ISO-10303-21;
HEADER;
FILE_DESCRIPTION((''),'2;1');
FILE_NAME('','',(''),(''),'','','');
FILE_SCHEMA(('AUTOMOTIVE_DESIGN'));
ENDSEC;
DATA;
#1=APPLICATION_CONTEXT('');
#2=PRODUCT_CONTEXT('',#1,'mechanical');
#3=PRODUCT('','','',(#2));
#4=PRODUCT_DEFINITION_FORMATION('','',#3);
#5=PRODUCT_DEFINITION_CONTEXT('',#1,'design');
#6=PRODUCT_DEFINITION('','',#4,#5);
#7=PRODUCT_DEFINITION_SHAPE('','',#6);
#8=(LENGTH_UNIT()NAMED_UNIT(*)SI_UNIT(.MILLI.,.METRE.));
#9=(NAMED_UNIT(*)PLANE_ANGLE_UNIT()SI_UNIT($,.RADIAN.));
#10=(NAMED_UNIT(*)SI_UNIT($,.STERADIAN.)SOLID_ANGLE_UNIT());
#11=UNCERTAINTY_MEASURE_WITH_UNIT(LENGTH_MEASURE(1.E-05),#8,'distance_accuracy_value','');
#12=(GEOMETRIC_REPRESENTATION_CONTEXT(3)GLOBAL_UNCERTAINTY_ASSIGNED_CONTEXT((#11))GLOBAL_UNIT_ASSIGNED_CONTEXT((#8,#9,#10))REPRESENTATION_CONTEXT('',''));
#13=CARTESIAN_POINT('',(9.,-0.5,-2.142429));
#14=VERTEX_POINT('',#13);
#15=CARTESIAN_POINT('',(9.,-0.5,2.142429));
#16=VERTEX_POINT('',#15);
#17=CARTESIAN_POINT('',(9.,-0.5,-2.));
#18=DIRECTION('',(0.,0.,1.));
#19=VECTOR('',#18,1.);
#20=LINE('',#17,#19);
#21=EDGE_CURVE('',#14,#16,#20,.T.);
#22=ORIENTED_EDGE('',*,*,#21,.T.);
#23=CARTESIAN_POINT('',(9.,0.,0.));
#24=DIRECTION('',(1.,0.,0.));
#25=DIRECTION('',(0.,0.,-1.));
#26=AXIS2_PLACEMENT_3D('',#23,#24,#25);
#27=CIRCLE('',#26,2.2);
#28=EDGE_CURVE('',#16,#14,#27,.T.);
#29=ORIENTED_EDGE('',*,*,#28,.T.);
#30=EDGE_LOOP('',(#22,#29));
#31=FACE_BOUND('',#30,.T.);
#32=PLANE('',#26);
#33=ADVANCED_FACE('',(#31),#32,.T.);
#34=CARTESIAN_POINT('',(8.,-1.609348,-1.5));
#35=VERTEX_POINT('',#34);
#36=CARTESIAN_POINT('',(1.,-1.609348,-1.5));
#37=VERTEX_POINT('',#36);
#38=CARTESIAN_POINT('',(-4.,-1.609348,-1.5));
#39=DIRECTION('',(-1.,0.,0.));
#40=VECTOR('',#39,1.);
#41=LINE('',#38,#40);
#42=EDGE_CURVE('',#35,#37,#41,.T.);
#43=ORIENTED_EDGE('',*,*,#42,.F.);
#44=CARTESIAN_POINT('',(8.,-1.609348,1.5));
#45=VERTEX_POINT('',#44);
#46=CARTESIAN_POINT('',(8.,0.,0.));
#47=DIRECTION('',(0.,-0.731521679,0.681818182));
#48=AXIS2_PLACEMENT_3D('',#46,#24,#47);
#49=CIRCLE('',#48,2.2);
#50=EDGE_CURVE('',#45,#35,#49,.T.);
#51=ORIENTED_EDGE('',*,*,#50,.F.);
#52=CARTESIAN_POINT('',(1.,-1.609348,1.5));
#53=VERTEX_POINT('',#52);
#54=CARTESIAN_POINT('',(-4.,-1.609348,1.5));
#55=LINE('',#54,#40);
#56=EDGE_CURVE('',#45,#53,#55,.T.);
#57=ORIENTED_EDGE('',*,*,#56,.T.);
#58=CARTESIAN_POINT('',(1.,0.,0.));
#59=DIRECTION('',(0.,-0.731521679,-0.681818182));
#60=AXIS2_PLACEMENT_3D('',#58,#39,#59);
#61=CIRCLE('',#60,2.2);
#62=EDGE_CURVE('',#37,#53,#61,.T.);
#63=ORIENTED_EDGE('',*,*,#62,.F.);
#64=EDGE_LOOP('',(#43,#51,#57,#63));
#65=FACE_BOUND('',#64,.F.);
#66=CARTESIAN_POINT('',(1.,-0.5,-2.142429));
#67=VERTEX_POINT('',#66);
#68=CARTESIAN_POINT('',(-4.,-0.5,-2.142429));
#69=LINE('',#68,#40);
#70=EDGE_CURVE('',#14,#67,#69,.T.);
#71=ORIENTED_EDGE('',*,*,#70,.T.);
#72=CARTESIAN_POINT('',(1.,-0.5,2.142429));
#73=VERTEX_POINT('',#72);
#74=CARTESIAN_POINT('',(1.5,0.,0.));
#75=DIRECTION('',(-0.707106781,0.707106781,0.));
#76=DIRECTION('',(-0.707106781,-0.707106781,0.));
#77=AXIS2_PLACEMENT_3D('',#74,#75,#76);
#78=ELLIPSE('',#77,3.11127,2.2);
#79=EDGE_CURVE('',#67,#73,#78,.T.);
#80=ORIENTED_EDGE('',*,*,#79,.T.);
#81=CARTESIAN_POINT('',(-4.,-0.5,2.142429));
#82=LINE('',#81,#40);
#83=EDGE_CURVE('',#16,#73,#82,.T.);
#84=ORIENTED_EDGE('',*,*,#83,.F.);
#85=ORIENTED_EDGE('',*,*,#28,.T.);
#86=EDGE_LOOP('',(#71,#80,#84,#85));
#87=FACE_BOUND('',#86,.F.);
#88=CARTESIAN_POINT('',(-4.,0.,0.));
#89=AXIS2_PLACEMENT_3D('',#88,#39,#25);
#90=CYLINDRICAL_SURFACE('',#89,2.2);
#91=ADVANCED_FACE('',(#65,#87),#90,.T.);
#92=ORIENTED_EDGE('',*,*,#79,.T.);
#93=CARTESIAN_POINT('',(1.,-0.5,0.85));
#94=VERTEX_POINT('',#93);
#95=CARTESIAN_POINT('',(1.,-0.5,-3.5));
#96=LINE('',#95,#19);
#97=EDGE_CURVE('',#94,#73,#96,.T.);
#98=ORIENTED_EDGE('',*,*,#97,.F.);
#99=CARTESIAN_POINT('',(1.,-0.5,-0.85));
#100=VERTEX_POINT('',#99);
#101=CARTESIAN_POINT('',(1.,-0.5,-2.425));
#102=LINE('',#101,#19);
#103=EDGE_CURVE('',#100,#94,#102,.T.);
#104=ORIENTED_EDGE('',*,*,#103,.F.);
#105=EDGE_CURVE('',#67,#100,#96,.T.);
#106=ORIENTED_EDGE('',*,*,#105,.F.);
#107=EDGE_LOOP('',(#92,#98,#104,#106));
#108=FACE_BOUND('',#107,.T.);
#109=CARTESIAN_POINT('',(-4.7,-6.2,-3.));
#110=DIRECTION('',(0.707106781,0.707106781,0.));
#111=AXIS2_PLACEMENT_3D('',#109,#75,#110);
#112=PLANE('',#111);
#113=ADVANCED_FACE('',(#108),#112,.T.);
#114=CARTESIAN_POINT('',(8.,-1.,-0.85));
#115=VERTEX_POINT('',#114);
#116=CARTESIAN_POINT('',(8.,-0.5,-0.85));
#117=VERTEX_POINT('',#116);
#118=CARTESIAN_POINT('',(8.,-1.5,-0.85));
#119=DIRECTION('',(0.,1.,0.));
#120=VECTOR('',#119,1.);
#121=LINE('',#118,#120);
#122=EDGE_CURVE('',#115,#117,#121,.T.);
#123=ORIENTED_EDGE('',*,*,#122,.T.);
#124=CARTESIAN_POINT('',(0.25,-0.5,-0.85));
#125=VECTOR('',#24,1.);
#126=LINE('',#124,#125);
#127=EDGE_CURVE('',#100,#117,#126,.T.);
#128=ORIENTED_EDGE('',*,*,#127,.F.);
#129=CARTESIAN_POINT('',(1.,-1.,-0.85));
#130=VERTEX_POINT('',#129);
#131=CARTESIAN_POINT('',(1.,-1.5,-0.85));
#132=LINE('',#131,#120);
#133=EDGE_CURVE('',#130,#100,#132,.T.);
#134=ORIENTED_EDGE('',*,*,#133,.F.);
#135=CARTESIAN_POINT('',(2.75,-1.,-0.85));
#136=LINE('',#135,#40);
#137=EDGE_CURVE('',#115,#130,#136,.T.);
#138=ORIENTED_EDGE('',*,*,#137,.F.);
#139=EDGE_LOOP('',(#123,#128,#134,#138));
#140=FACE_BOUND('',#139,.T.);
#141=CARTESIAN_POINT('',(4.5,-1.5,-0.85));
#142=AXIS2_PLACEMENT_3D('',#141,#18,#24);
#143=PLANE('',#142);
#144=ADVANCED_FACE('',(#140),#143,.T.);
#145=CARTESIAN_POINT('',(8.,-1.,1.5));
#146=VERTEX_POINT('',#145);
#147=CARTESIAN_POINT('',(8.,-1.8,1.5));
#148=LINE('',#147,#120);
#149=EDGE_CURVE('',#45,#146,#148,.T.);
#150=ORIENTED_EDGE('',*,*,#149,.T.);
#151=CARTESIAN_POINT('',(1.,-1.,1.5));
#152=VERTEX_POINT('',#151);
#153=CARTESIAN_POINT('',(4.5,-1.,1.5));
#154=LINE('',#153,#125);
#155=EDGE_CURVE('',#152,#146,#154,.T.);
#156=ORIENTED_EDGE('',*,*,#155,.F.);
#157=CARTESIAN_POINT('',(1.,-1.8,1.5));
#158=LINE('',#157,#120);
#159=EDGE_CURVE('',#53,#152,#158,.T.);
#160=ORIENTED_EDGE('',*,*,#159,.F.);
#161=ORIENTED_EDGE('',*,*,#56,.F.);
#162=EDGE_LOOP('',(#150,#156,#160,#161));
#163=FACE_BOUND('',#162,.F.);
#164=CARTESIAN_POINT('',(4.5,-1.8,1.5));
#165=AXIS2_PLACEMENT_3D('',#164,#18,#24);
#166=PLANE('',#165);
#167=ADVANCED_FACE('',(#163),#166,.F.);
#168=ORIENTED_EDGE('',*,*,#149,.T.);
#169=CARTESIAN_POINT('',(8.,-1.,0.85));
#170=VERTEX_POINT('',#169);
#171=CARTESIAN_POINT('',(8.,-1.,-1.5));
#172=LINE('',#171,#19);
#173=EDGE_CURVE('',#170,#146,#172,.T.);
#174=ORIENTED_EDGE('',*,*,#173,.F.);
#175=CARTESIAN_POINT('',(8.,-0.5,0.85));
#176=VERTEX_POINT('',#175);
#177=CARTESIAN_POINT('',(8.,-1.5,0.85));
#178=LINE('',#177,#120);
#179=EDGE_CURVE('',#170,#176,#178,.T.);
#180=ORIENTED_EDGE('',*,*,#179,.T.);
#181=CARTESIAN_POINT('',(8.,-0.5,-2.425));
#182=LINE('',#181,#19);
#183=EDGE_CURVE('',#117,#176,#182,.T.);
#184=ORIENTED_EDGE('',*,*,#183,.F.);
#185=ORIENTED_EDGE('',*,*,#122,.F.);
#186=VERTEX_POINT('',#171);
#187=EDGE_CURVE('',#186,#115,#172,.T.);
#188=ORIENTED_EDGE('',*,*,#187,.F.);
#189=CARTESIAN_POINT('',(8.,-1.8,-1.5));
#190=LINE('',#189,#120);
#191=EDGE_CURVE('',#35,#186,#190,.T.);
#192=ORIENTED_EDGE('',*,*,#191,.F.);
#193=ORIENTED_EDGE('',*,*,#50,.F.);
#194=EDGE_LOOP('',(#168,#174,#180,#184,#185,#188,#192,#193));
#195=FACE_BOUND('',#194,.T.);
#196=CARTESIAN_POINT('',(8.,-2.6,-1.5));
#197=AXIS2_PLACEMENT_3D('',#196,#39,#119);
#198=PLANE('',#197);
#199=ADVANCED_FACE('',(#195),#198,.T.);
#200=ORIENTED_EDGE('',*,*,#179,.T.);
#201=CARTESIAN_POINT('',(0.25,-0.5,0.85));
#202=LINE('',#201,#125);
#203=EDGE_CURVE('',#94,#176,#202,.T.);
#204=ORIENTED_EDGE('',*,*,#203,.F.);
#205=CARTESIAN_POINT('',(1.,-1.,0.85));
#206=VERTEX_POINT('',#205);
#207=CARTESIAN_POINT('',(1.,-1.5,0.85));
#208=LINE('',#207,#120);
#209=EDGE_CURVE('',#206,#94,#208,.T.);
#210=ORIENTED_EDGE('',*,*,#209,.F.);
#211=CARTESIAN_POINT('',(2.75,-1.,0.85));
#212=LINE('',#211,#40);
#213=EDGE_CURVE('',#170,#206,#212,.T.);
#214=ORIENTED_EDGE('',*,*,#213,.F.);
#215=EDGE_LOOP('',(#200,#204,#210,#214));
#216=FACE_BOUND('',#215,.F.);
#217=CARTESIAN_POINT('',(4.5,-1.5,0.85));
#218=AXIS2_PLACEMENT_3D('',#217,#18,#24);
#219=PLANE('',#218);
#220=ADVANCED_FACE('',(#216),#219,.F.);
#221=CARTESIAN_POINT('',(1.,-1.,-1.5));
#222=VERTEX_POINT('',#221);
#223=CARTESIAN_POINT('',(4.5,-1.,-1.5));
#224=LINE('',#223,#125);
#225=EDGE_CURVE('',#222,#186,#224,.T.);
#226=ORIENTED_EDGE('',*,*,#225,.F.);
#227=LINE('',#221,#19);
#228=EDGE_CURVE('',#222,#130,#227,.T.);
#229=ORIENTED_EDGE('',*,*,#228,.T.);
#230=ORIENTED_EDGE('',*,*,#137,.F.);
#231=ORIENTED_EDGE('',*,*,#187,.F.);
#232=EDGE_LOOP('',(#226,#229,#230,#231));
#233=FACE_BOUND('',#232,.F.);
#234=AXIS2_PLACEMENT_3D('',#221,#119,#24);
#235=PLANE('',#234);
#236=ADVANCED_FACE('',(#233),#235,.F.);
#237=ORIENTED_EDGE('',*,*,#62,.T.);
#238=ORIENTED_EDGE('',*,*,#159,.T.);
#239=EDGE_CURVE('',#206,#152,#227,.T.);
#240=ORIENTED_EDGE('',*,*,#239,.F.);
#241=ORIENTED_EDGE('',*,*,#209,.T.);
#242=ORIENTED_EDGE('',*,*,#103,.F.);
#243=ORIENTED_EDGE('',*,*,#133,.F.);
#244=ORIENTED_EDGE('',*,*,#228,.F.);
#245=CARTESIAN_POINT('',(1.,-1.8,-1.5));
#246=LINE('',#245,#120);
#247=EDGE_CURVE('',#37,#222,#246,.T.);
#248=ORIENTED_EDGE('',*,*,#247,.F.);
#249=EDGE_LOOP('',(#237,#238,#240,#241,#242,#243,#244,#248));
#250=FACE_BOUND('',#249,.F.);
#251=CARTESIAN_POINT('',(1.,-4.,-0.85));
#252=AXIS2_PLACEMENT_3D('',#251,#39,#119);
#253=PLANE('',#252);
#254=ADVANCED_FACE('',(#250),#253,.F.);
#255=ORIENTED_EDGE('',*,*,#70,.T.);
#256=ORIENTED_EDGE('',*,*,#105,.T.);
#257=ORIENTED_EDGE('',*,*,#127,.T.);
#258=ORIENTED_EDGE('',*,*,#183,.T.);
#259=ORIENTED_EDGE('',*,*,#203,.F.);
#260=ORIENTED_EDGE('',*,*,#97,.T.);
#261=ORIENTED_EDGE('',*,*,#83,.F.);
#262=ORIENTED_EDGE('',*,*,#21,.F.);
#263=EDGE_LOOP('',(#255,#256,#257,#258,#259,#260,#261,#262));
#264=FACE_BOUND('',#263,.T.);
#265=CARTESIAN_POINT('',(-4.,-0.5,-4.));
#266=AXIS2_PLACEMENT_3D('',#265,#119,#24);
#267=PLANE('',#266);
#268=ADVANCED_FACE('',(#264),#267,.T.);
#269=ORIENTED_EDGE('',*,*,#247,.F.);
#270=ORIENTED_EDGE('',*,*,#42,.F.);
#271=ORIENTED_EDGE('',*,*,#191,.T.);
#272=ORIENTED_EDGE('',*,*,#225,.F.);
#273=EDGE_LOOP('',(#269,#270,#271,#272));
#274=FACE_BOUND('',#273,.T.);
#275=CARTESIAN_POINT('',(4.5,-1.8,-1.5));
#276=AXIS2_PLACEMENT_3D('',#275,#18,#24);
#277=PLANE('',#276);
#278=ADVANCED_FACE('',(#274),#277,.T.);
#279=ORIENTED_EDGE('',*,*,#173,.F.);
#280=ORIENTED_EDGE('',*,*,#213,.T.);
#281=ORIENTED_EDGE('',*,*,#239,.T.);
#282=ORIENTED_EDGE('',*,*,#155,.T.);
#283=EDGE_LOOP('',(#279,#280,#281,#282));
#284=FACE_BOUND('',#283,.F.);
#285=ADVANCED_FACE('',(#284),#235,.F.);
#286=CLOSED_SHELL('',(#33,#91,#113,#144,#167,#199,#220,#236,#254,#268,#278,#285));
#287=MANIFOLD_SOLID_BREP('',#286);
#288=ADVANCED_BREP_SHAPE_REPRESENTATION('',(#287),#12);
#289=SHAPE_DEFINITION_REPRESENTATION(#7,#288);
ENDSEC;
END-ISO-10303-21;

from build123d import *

# Parameters (mm, degrees)
BOX003_W               = 14
BOX003_H               = 10
BOX003_DEPTH           = 10
BOX003_PLACEMENT_ANGLE = 45
BOX002_W               = 7
BOX002_H               = 1.6
BOX002_DEPTH           = 3
BOX001_W               = 7
BOX001_H               = 5
BOX001_DEPTH           = 1.7
BOX_W                  = 14
BOX_H                  = 7
BOX_DEPTH              = 10
CYLINDER_R             = 2.2
CYLINDER_DEPTH         = 13


with BuildPart() as w_rfel003:
    # Box003 → Box003 (new body)
    with BuildSketch(Plane.XY):
        with Locations((7, 5)):
            Rectangle(BOX003_W, BOX003_H)
    extrude(amount=BOX003_DEPTH)


with BuildPart() as w_rfel003_1:
    # Box003 placement: moved
    add(w_rfel003.part.moved(Location((-4.7, -6.2, -3))).rotate(Axis((-4.7, -6.2, -3), (0, 0, 1)), BOX003_PLACEMENT_ANGLE))


with BuildPart() as w_rfel002:
    # Box002 → Box002 (new body)
    with BuildSketch(Plane(origin=(1, -2.6, -1.5), x_dir=(1, 0, 0), z_dir=(0, 0, 1))):
        with Locations((3.5, 0.8)):
            Rectangle(BOX002_W, BOX002_H)
    extrude(amount=BOX002_DEPTH)


with BuildPart() as w_rfel001:
    # Box001 → Box001 (new body)
    with BuildSketch(Plane(origin=(1, -4, -0.85), x_dir=(1, 0, 0), z_dir=(0, 0, 1))):
        with Locations((3.5, 2.5)):
            Rectangle(BOX001_W, BOX001_H)
    extrude(amount=BOX001_DEPTH)


with BuildPart() as w_rfel:
    # Box → Box (new body)
    with BuildSketch(Plane(origin=(-4, -0.5, -4), x_dir=(1, 0, 0), z_dir=(0, 0, 1))):
        with Locations((7, 3.5)):
            Rectangle(BOX_W, BOX_H)
    extrude(amount=BOX_DEPTH)


with BuildPart() as body:
    # Sketch → Revolution (revolve)
    with BuildSketch(Plane.XY):
        with BuildLine():
            add(Edge.make_bspline(
                [(1.699821, 2.2), (2.24, 1.1), (2.24, 0)],
                knots=[-2.2, -2.2, -2.2, 0, 0, 0], degree=2))
            Line((2.24, 0), (1.699821, 0))
            Line((1.699821, 0), (1.699821, 2.2))
        make_face()
    revolve(axis=Axis((0, 0, 0), (1, 0, 0)))


with BuildPart() as body_1:
    # Body placement: moved
    add(body.part.moved(Location((-1.7, 20, 0))))


with BuildPart() as cut004:
    # Cylinder → Cylinder (new body)
    with BuildSketch(Plane(origin=(-4, 0, 0), x_dir=(0, 0, -1), z_dir=(1, 0, 0))):
        Circle(CYLINDER_R)
    extrude(amount=CYLINDER_DEPTH)

    # Cut: cut Body
    add(body_1.part, mode=Mode.SUBTRACT)

    # Cut001: cut Würfel
    add(w_rfel.part, mode=Mode.SUBTRACT)

    # Cut002: cut Würfel001
    add(w_rfel001.part, mode=Mode.SUBTRACT)

    # Cut003: cut Würfel002
    add(w_rfel002.part, mode=Mode.SUBTRACT)

    # Cut004: cut Würfel003
    add(w_rfel003_1.part, mode=Mode.SUBTRACT)


solid = cut004.part
